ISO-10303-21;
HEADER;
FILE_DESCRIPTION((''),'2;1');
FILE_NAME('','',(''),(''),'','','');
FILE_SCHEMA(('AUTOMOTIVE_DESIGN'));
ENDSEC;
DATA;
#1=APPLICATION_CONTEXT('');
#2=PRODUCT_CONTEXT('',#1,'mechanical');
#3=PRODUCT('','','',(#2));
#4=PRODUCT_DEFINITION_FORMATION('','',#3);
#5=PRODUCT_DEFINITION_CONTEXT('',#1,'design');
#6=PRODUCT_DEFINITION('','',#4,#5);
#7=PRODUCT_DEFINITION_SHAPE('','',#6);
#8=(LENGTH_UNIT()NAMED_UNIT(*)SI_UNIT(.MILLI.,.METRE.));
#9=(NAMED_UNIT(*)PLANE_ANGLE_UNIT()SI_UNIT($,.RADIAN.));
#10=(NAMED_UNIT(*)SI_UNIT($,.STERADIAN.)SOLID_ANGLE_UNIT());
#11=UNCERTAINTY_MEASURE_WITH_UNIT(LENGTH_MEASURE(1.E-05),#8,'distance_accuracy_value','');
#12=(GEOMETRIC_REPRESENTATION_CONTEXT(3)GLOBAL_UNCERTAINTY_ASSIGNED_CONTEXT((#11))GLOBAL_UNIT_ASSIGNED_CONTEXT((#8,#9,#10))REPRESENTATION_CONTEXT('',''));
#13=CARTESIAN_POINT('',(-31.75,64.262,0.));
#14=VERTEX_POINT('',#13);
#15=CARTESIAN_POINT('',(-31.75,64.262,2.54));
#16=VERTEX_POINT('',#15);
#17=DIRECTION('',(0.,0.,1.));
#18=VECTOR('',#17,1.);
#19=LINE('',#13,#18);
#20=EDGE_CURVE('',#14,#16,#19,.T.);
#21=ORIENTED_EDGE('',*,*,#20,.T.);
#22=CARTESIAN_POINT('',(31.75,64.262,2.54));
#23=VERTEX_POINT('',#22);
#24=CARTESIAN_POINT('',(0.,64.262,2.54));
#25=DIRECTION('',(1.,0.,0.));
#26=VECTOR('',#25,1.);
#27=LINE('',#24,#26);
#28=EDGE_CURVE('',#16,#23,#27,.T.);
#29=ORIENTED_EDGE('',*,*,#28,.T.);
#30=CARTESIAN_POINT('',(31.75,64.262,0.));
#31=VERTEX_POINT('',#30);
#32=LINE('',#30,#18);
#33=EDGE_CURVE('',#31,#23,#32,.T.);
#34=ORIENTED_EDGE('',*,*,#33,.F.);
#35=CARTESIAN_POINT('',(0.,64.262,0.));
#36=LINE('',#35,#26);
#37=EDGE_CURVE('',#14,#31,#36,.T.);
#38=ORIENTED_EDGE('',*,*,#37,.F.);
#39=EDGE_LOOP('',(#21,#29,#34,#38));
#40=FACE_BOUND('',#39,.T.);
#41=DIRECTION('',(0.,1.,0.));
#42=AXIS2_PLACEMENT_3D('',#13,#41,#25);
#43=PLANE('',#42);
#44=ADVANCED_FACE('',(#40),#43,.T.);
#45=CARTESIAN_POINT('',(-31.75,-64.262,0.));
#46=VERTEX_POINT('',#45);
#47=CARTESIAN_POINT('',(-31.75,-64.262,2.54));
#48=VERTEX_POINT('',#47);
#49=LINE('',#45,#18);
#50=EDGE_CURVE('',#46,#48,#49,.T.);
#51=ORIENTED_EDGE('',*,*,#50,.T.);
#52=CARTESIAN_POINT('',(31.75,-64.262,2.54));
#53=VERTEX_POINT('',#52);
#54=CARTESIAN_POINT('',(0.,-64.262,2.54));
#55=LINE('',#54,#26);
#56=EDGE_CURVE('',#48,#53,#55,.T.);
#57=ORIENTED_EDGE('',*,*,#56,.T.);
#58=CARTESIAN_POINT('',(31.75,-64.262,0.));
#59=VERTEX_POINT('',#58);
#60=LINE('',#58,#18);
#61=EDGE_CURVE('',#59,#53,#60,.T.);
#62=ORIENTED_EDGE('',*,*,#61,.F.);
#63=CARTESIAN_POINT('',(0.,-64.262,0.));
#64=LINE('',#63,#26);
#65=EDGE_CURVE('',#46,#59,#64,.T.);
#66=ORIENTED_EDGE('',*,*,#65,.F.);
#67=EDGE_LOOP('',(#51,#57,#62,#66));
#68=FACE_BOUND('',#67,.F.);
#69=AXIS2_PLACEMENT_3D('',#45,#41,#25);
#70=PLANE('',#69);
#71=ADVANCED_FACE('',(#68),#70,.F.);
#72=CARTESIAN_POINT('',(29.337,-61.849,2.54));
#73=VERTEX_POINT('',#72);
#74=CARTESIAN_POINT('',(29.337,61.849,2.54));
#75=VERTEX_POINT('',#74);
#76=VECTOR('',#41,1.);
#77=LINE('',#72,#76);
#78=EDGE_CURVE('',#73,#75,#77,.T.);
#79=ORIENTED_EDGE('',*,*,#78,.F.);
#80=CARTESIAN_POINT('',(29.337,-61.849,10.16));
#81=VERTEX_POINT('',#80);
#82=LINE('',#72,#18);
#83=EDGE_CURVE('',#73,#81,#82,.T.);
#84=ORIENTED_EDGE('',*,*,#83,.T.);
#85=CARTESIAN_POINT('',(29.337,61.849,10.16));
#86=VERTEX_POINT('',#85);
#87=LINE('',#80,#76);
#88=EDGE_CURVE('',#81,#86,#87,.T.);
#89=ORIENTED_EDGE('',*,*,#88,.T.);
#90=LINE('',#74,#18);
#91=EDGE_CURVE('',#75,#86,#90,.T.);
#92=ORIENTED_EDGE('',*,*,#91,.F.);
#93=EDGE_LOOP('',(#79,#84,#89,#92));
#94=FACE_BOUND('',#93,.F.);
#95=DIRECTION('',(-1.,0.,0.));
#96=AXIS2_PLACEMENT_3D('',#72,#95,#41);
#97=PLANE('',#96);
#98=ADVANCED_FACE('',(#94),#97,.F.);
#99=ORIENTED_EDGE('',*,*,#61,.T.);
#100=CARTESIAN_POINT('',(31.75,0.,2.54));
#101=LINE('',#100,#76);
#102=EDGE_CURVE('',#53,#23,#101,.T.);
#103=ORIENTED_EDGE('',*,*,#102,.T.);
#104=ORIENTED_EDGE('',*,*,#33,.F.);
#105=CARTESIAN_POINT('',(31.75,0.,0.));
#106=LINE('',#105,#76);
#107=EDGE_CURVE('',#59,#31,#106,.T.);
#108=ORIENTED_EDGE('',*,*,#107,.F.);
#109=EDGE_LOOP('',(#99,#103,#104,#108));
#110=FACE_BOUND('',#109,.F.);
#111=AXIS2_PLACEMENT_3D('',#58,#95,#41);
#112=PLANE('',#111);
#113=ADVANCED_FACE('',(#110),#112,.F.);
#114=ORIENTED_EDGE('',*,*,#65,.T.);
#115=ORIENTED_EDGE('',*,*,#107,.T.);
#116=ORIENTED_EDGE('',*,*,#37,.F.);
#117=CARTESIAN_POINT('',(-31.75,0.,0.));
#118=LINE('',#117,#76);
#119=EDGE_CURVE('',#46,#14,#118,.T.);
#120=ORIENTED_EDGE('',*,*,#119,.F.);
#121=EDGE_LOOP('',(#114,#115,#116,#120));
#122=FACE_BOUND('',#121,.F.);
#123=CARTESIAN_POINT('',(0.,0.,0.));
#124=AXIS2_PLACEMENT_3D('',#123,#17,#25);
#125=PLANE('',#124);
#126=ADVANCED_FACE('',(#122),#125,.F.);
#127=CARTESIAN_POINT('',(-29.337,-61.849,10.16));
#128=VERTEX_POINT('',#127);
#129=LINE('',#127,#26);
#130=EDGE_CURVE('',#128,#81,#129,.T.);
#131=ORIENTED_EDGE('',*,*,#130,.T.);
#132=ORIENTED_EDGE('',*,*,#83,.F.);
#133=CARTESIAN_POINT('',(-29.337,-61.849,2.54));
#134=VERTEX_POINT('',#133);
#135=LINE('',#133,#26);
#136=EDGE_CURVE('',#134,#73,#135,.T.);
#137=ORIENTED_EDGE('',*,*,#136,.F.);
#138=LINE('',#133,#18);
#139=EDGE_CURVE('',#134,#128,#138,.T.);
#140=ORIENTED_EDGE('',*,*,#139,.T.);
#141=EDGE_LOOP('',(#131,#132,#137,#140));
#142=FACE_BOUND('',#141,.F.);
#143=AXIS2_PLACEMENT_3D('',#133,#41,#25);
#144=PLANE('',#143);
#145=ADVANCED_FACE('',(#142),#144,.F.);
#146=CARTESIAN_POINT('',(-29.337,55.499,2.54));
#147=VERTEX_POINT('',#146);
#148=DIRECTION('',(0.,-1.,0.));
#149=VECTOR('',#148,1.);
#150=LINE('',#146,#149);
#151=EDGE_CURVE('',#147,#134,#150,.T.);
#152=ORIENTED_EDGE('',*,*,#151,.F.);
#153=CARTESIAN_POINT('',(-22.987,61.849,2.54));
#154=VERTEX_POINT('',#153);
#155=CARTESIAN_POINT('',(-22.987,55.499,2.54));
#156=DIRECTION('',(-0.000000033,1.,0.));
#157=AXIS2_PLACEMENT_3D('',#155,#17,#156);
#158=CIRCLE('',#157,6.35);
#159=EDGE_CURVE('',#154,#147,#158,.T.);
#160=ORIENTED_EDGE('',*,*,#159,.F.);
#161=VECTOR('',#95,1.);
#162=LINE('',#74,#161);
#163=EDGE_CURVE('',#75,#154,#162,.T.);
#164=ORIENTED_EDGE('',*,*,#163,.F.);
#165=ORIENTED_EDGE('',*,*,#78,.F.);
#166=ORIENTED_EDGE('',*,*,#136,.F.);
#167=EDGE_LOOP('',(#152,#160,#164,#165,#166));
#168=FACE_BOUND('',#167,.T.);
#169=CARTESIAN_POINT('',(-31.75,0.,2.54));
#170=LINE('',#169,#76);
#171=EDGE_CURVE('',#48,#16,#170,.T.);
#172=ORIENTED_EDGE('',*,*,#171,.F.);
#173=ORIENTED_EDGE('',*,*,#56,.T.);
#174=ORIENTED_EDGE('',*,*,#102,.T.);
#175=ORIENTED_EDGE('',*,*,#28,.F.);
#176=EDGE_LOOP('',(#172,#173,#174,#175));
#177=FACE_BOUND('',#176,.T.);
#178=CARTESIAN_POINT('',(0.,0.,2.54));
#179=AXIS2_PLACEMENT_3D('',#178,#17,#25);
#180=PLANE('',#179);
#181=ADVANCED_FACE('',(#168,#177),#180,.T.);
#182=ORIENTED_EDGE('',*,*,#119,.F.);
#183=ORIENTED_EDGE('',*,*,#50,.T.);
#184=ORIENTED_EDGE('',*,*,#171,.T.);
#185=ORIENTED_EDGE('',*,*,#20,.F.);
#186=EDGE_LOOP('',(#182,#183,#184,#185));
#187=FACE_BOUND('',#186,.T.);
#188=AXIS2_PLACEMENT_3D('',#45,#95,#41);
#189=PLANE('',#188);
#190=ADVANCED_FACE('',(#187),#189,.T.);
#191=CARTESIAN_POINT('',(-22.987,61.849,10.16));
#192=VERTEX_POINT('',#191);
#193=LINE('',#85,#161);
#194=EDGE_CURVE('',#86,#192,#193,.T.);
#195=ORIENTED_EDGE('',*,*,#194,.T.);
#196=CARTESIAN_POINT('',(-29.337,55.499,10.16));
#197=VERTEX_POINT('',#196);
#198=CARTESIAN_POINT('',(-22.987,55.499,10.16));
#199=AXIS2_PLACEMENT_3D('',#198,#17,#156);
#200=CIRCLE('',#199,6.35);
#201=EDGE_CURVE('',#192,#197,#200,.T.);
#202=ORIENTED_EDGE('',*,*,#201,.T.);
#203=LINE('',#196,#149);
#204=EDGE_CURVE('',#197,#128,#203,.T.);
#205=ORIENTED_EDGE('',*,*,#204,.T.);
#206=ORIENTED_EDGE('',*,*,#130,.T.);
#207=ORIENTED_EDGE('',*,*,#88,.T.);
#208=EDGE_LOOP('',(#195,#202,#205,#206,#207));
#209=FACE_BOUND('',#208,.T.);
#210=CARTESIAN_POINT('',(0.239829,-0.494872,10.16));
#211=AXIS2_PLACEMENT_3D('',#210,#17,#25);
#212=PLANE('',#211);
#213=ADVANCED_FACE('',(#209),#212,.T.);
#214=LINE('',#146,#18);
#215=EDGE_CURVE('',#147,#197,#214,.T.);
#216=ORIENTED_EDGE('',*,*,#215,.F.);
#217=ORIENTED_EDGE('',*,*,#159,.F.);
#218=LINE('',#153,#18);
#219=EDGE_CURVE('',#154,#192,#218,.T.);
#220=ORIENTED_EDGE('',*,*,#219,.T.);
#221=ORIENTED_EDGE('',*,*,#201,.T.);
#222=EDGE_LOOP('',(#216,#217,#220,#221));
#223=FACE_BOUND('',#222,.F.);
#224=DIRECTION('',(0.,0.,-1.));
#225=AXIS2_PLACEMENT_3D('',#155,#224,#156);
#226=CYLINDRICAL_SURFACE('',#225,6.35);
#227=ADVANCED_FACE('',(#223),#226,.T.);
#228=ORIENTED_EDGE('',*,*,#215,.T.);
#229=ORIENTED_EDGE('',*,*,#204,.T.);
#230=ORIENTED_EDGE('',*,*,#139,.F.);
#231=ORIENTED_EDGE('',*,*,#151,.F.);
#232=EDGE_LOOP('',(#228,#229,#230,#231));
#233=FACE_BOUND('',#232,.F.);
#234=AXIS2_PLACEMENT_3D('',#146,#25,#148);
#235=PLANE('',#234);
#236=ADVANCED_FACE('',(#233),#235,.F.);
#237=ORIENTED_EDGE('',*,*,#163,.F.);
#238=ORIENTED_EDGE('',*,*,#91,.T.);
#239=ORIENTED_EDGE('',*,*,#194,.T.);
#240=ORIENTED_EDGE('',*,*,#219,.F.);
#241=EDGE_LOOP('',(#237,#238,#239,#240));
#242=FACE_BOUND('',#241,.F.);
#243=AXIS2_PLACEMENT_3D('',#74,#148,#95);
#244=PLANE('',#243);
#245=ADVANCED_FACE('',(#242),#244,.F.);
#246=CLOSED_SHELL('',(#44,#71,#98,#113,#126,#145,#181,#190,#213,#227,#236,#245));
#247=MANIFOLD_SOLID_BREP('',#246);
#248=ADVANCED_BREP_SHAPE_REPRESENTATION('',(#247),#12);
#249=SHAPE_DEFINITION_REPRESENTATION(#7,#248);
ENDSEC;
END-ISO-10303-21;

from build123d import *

# Parameters (mm, degrees)
F0_W     = 63.5
F0_H     = 128.524
F0_W_2   = 58.674
F0_H_2   = 123.698
F1_DEPTH = 2.54
F3_DEPTH = 7.62


with BuildPart() as f1:
    # F0 (on Top) → F1 (new body)
    with BuildSketch(Plane.XY):
        Rectangle(F0_W, F0_H)
        Rectangle(F0_W_2, F0_H_2, mode=Mode.SUBTRACT)
        Rectangle(F0_W_2, F0_H_2)
    extrude(amount=F1_DEPTH)

    # F2 (on face) → F3 (join)
    with BuildSketch(Plane.XY.offset(2.54)):
        with BuildLine():
            Line((-29.337, -61.849), (29.337, -61.849))
            Line((29.337, -61.849), (29.337, 61.849))
            Line((29.337, 61.849), (-22.987, 61.849))
            ThreePointArc((-22.987, 61.849), (-27.477128, 59.989128), (-29.337, 55.499))
            Line((-29.337, 55.499), (-29.337, -61.849))
        make_face()
    extrude(amount=F3_DEPTH)


solid = f1.part
